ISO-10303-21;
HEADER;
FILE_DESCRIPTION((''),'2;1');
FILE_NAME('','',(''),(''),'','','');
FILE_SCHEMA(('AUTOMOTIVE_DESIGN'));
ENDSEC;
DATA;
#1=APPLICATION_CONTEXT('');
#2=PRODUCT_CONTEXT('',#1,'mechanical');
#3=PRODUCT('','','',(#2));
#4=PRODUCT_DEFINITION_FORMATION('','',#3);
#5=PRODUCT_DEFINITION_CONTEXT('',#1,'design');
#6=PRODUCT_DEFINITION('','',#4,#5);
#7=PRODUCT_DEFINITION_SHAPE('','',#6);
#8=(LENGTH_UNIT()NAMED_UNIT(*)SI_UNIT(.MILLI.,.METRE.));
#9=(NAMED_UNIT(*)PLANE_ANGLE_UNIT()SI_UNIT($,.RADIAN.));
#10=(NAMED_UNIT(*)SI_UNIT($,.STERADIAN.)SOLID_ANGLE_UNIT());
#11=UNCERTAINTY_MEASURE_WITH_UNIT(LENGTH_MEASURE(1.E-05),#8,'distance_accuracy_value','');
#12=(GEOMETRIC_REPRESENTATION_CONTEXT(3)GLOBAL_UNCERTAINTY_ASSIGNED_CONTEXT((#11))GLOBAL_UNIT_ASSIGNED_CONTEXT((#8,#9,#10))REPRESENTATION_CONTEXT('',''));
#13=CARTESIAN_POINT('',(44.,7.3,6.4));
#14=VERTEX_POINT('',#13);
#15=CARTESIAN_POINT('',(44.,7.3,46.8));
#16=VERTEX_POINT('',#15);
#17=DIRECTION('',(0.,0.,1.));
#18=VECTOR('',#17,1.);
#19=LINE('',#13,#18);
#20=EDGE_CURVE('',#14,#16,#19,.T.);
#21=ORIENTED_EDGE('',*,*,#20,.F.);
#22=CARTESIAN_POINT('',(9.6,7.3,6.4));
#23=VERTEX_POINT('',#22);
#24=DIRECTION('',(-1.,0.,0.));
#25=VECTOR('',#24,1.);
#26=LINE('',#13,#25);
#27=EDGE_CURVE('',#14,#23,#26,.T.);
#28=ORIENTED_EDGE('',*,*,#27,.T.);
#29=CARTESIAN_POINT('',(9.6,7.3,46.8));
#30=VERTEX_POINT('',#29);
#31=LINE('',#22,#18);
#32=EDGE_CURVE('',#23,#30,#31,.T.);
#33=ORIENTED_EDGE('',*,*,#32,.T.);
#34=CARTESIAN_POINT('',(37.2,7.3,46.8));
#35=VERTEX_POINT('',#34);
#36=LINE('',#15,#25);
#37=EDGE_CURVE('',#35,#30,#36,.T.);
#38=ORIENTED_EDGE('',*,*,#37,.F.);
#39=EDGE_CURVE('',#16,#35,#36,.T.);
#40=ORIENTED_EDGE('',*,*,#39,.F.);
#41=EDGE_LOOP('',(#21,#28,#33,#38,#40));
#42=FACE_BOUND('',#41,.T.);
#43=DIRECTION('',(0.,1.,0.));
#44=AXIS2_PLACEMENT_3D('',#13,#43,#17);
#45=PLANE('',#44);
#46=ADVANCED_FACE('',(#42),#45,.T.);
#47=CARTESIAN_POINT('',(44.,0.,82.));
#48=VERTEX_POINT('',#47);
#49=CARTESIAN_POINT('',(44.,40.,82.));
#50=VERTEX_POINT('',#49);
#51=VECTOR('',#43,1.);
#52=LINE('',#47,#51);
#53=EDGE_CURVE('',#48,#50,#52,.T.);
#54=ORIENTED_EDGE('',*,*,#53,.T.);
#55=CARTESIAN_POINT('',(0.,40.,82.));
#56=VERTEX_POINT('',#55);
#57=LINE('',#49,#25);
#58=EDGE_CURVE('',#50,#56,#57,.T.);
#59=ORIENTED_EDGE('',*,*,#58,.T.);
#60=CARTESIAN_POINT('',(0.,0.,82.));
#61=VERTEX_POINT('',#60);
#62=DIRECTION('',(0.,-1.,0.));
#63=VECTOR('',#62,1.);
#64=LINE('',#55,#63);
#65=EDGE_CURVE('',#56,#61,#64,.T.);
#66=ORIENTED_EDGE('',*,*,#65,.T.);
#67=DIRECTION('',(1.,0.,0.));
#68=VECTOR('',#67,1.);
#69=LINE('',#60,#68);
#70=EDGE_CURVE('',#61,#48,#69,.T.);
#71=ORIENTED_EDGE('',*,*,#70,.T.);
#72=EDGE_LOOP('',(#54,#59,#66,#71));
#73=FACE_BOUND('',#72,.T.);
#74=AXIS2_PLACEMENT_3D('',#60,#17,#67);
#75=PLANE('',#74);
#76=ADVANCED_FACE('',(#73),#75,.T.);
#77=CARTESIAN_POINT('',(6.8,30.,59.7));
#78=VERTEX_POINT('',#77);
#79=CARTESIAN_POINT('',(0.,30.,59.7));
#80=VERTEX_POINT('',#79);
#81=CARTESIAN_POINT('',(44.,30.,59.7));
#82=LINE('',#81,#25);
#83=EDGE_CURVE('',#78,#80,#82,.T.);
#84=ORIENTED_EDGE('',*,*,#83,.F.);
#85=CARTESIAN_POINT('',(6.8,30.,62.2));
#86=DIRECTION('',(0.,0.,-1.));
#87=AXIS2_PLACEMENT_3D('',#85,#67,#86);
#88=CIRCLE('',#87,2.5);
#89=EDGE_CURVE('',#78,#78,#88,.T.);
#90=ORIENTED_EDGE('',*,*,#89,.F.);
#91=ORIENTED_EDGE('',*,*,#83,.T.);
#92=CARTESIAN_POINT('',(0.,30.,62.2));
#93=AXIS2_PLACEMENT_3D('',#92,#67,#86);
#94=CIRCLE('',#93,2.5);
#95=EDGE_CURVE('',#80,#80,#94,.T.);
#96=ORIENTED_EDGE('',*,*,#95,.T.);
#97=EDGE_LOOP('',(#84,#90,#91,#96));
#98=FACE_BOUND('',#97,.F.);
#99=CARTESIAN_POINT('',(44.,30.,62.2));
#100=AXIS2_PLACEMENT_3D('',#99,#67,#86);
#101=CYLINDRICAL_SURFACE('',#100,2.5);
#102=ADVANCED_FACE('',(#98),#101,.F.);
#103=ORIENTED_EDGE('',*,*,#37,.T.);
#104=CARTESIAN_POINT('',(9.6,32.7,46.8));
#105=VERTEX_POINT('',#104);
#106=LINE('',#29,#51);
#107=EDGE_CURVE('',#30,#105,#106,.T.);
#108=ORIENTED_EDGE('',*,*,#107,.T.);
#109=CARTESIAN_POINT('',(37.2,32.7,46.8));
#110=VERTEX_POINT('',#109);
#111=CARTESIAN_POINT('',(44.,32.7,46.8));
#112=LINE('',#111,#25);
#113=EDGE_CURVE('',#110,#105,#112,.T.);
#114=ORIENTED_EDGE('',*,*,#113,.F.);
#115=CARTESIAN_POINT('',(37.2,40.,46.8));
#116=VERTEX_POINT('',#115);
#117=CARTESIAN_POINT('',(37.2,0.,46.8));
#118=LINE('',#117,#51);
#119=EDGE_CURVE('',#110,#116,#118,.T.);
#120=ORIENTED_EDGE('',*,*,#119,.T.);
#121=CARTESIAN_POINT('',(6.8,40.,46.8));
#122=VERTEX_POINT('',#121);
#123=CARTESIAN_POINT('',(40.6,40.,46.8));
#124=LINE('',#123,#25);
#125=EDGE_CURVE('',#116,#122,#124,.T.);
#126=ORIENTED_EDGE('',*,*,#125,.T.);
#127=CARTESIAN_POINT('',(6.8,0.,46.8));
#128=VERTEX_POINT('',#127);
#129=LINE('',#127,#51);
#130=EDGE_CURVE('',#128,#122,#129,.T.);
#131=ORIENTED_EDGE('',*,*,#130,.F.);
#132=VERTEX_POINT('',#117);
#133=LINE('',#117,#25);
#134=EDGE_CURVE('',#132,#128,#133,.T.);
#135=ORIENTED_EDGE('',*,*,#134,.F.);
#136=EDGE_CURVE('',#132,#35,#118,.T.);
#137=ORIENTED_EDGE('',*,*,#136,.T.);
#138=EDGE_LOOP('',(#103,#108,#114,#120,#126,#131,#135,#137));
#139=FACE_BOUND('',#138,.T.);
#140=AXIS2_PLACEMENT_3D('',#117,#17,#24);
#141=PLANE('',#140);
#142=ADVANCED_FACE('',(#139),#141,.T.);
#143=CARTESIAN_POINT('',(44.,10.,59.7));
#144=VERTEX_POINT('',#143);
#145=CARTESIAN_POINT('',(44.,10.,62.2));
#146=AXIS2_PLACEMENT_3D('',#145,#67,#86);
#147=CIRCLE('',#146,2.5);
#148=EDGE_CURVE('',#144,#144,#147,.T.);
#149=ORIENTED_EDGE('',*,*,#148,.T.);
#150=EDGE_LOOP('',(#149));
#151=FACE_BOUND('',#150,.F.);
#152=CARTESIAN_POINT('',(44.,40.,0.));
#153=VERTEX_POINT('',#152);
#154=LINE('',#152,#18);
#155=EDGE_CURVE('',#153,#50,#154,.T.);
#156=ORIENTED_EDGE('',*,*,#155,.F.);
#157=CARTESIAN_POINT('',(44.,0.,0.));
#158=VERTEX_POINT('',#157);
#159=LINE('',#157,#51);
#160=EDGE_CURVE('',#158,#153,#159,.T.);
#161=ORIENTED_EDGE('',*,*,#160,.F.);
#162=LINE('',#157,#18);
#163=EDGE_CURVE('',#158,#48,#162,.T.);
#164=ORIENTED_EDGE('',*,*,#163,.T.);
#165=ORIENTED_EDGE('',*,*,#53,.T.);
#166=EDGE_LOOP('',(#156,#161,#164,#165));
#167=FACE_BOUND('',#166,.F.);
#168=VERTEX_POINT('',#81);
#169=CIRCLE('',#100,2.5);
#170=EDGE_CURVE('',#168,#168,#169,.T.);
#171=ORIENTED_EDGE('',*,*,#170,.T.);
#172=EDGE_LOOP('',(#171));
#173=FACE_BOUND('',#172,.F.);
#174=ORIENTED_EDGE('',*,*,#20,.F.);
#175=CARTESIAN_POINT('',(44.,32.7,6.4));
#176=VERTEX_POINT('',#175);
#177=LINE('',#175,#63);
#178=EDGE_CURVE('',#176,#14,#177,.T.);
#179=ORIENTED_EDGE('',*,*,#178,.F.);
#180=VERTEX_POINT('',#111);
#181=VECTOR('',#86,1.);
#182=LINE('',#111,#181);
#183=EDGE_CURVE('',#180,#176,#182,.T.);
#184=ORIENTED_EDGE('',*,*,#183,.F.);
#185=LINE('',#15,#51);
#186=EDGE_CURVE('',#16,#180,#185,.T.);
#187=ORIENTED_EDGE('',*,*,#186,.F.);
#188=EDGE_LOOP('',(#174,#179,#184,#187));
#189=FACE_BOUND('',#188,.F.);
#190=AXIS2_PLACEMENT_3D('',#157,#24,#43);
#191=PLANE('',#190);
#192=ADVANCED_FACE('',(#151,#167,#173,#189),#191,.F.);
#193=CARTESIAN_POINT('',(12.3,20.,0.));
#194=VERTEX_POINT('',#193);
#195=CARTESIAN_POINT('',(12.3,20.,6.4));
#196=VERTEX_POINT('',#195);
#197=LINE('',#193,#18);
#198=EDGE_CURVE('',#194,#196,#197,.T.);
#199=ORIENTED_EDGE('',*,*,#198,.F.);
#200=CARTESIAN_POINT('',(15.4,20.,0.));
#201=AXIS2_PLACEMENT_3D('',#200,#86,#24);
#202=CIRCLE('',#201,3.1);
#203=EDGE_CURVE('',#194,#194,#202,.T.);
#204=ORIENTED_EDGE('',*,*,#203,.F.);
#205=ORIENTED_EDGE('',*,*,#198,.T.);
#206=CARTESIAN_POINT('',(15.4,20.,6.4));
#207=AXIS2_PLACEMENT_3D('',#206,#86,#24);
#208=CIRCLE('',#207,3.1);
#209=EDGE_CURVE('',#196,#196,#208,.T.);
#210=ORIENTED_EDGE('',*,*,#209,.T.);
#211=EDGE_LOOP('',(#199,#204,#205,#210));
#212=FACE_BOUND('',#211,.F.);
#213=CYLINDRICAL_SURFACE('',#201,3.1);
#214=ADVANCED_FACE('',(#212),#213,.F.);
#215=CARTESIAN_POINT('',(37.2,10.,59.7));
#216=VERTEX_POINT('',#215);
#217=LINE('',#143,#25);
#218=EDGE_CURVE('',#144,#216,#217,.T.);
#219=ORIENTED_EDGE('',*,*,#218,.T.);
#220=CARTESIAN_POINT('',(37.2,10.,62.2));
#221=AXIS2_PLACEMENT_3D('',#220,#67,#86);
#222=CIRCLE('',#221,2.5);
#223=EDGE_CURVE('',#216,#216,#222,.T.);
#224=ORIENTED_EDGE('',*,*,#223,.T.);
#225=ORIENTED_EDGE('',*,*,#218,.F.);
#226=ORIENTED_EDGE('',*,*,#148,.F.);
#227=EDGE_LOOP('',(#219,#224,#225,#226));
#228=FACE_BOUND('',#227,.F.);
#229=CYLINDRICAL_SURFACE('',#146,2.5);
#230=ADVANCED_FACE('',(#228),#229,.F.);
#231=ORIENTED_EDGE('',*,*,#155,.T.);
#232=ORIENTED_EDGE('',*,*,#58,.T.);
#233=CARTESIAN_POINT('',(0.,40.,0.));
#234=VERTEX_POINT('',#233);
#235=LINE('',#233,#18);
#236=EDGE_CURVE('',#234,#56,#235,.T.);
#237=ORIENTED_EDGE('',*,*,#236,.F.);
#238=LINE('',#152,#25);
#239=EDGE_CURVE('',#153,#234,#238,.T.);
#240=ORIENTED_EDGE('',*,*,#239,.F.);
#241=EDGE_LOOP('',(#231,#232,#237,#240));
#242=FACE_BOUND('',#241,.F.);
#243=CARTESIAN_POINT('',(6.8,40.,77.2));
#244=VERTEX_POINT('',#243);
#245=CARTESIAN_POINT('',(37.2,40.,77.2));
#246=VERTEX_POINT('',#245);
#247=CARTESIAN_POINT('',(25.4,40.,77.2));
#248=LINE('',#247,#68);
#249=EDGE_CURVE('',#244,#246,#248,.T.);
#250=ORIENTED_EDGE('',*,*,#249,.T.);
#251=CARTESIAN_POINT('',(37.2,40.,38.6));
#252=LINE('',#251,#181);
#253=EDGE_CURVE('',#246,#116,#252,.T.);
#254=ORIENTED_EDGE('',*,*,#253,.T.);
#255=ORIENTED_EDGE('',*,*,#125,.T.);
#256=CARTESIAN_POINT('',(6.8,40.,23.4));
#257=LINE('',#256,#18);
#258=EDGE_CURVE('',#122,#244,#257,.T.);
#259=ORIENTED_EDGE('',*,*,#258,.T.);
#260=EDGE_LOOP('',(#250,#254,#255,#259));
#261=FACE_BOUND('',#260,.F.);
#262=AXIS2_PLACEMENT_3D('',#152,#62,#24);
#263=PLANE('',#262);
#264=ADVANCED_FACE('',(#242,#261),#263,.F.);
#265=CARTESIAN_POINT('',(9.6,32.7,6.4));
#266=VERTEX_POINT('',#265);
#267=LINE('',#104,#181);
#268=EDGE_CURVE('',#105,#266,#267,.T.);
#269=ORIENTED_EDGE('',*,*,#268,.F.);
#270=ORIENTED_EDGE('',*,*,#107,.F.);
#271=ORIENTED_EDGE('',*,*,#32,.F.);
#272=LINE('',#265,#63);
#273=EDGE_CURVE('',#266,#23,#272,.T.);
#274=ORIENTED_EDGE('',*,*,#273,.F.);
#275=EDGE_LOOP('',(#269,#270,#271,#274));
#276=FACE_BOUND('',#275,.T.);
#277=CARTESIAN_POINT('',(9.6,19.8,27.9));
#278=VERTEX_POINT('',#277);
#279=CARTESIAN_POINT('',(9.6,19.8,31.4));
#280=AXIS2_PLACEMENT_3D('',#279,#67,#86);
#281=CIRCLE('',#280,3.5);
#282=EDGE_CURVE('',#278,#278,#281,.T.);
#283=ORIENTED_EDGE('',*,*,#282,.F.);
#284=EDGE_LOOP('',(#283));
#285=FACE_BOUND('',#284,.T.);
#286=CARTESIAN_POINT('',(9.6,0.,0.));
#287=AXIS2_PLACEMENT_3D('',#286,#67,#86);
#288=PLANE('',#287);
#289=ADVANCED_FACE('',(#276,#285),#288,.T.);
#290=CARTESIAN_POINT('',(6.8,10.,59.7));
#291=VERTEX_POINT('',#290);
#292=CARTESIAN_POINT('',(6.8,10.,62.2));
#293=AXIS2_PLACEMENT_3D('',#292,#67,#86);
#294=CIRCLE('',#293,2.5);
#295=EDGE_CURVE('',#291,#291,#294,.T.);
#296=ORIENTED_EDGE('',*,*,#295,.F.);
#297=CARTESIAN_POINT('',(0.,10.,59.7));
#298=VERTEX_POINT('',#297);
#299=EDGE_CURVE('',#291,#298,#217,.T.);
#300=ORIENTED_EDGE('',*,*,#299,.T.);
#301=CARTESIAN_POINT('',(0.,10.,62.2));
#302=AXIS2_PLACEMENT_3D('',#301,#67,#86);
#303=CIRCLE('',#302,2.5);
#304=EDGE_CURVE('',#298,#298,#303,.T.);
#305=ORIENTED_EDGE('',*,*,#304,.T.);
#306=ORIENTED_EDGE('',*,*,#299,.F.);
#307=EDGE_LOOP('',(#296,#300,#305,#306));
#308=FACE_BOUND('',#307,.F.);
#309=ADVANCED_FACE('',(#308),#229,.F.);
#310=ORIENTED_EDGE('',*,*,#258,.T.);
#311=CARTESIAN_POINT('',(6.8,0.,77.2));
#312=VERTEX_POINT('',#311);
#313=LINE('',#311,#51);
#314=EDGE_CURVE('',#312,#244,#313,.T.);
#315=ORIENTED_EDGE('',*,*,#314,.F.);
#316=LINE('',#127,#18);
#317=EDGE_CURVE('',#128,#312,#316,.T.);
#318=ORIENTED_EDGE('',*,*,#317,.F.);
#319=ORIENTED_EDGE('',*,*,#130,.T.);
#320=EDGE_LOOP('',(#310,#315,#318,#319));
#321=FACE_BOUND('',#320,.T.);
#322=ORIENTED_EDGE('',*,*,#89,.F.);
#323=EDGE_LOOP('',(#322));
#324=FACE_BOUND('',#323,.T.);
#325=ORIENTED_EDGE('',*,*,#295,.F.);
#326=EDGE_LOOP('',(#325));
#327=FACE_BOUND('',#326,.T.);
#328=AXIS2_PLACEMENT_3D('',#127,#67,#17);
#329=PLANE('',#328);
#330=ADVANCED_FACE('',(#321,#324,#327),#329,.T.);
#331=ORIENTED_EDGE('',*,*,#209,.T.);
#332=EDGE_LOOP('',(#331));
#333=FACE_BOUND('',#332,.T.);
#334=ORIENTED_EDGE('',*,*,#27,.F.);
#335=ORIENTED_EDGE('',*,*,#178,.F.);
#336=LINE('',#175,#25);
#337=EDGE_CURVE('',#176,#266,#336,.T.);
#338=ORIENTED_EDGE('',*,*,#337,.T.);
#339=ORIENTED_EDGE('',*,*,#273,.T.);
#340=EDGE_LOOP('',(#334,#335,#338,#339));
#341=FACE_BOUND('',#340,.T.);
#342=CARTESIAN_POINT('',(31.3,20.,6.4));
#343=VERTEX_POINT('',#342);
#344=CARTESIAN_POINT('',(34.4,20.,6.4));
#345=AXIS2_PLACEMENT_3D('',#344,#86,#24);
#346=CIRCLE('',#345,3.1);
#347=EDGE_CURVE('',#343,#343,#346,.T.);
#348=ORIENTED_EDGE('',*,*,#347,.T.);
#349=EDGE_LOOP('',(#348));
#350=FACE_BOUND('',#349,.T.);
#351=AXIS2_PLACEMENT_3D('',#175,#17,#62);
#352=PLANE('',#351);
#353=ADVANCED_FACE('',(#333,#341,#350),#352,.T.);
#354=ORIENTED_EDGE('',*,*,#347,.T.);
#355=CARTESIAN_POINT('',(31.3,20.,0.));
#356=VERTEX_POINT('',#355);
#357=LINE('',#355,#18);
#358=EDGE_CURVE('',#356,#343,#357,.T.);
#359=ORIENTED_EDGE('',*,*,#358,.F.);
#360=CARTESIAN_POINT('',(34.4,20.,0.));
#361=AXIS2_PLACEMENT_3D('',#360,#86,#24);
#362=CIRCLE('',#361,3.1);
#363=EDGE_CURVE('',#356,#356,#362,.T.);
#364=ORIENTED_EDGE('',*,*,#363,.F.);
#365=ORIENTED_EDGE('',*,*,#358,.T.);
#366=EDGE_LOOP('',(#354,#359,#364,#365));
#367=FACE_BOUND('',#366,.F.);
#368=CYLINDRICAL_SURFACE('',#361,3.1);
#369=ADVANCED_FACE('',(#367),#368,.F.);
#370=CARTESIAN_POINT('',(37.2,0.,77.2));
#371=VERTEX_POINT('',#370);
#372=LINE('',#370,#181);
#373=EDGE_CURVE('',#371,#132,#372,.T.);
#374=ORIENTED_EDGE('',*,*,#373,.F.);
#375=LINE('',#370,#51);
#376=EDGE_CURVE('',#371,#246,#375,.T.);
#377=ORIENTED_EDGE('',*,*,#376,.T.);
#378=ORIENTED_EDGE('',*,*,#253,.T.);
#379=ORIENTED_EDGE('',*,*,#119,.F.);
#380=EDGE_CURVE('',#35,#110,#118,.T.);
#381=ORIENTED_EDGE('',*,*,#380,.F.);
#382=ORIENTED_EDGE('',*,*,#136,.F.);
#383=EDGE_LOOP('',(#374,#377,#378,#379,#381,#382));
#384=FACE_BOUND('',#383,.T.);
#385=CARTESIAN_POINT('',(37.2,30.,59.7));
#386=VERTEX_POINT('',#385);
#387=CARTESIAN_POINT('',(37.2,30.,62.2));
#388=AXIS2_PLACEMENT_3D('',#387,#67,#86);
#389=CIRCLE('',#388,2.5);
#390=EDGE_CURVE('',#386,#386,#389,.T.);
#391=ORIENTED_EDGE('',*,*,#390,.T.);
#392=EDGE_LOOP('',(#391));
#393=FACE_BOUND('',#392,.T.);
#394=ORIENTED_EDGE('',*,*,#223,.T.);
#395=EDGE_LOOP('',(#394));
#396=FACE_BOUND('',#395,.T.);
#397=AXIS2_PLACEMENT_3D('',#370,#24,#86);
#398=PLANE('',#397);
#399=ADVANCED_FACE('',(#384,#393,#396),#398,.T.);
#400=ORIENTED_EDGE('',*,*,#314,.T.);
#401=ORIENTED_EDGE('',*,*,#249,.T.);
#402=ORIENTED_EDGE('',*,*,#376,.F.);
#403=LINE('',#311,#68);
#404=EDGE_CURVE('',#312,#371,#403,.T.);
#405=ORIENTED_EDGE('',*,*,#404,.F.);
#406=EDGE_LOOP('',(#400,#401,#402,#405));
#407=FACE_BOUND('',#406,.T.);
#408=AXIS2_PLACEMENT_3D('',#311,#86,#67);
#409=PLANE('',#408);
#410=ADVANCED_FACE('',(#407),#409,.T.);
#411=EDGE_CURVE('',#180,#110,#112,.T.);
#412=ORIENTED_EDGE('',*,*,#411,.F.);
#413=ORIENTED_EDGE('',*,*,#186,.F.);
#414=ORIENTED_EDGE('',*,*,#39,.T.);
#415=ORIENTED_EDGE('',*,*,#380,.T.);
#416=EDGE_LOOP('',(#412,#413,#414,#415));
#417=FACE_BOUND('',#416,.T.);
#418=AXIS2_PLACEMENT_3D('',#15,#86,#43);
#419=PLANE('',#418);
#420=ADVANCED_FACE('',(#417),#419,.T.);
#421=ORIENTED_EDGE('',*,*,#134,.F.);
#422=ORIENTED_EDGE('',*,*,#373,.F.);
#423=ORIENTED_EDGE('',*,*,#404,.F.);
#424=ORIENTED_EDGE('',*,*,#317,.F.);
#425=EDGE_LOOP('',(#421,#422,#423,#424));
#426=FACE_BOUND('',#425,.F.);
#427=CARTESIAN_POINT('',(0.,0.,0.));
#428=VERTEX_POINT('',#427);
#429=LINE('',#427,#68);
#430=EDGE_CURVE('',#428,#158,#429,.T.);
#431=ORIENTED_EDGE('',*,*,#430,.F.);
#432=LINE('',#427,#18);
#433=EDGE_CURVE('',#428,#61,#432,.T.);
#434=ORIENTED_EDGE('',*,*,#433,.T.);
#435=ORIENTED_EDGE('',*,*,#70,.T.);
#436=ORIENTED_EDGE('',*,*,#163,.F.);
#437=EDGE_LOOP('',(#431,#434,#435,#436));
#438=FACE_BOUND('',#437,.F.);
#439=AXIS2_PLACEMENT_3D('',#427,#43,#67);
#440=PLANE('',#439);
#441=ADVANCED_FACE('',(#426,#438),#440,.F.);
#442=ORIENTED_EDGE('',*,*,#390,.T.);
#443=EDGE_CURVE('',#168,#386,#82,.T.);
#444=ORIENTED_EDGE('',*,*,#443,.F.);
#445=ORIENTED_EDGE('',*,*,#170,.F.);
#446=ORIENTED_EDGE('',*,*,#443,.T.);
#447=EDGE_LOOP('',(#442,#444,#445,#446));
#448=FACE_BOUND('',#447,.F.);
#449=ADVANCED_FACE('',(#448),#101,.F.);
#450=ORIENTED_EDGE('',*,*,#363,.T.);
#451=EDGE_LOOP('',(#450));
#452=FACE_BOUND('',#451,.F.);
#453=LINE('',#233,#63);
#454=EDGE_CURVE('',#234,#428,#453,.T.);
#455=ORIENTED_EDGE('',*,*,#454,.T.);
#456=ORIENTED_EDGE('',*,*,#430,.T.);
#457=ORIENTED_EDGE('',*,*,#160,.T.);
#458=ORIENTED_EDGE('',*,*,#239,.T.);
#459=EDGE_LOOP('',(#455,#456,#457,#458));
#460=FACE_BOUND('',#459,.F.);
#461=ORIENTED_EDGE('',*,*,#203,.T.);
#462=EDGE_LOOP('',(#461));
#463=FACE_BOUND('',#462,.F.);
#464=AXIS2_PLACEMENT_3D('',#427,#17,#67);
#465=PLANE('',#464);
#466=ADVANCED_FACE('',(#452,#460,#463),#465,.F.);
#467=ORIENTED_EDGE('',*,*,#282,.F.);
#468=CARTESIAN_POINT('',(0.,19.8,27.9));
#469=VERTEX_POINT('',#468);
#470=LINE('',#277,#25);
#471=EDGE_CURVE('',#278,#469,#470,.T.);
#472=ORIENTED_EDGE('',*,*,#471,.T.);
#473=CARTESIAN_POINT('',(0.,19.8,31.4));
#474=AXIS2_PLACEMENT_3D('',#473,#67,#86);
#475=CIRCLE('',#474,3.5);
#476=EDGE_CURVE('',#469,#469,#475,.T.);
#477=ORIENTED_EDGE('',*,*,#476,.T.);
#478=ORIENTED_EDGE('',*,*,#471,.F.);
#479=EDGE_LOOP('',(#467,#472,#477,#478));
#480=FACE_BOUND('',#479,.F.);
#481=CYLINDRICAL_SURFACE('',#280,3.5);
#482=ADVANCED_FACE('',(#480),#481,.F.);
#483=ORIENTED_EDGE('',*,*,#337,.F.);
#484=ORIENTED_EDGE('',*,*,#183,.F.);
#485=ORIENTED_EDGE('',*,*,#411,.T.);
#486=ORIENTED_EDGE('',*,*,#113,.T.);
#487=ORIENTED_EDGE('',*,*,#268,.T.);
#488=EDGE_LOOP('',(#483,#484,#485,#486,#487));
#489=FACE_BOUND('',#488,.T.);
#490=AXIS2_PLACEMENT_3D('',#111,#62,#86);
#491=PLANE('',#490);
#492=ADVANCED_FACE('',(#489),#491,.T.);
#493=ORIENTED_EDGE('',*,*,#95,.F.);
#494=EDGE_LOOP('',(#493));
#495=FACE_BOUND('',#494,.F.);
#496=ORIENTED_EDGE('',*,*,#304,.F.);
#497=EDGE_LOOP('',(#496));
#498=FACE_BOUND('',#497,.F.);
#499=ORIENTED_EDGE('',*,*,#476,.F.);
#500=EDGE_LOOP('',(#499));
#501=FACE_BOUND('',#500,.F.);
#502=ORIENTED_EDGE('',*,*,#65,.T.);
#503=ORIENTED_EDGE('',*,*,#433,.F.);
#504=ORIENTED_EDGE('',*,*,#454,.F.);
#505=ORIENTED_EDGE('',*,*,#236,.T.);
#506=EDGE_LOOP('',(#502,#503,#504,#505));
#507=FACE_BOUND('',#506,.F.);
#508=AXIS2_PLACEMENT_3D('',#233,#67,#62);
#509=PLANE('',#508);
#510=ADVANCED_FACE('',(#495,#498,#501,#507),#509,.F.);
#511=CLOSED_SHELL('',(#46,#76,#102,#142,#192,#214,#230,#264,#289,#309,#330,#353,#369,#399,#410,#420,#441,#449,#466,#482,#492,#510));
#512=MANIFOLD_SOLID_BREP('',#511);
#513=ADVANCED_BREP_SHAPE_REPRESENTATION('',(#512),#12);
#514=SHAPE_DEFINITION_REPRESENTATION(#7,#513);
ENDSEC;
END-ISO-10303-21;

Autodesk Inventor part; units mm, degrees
ref_plane "YZ Plane" through (0, 0, 0) normal (1, 0, 0) x (0, 1, 0)
ref_plane "XZ Plane" through (0, 0, 0) normal (0, 1, 0) x (-1, 0, 0)
ref_plane "XY Plane" through (0, 0, 0) normal (0, 0, 1) x (1, 0, 0)
sketch "Sketch1" plane through (0, 0, 0) normal (0, 0, 1) x (1, 0, 0)
  line L0 (0, 0) -> (44, 0)
  line L1 (44, 0) -> (44, 40)
  line L2 (44, 40) -> (0, 40)
  line L3 (0, 40) -> (0, 0)
  dimension "d0" = 44
  dimension "d1" = 40
extrude "Extrusion1" add sketch "Sketch1" along normal blind 82
sketch "Sketch2" plane through (0, 0, 0) normal (0, -1, 0) x (1, 0, 0)
  line L0 (6.8, 77.2) -> (37.2, 77.2)
  line L1 (37.2, 77.2) -> (37.2, 46.8)
  line L2 (37.2, 46.8) -> (6.8, 46.8)
  line L3 (6.8, 46.8) -> (6.8, 77.2)
  line L4 (0, 0) -> (0, 82) projected
  line L5 (0, 82) -> (44, 82) projected
  dimension "d4" = 30.4
  dimension "d5" = 30.4
  dimension "d6" = 6.8
  dimension "d7" = 4.8
extrude "Extrusion2" cut sketch "Sketch2" against normal blind 50
sketch "Sketch4" plane through (44, 0, 0) normal (1, 0, 0) x (0, 0, -1)
  line L0 (-6.4, 7.3) -> (-46.8, 7.3)
  line L1 (-46.8, 7.3) -> (-46.8, 32.7)
  line L2 (-46.8, 32.7) -> (-6.4, 32.7)
  line L3 (-6.4, 32.7) -> (-6.4, 7.3)
  line L4 (0, 0) -> (0, 40) projected
  line L5 (0, 0) -> (-82, 0) projected
  line L6 (-46.8, 0) -> (-46.8, 40) projected
  point P0 (0, 20)
  point P1 (-6.4, 20)
  dimension "d10" = 25.4
  dimension "d11" = 40.4
  dimension "d13" = 7.3
extrude "Extrusion3" cut sketch "Sketch4" against normal blind 34.4
sketch "Sketch6" plane through (44, 0, 0) normal (1, 0, 0) x (0, 0, -1)
  circle A0 centre (-62.2, 30) radius 2.5
  circle A1 centre (-62.2, 10) radius 2.5
  line L0 (0, 40) -> (-82, 40) projected
  line L1 (0, 0) -> (-82, 0) projected
  point P0 (-77.2, 40)
  dimension "d24" = 5
  dimension "d25" = 10
  dimension "d26" = 5
  dimension "d27" = 10
  dimension "d28" = 15
  dimension "d29" = 15
extrude "Extrusion5" cut sketch "Sketch6" against normal blind 50
sketch "Sketch5" plane through (0, 0, 0) normal (0, 0, -1) x (-1, 0, 0)
  circle A0 centre (-15.4, 20) radius 3.1
  circle A1 centre (-34.4, 20) radius 3.1
  line L0 (-44, 40) -> (0, 40) projected
  line L1 (-9.6, 7.3) -> (-9.6, 32.7) projected
  point P0 (0, 0)
  dimension "d16" = 6.2
  dimension "d17" = 6.2
  dimension "d18" = 20
  dimension "d19" = 20
  dimension "d20" = 5.8
  dimension "d21" = 19
extrude "Extrusion4" cut sketch "Sketch5" against normal blind 34
sketch "Sketch7" plane through (9.6, 0, 0) normal (1, 0, 0) x (0, 0, -1)
  circle A0 centre (-31.4, 19.8) radius 3.5
  line L0 (-6.4, 32.7) -> (-6.4, 7.3) projected
  line L1 (-6.4, 7.3) -> (-46.8, 7.3) projected
  point P0 (0, 0)
  dimension "d32" = 7
  dimension "d33" = 25
  dimension "d34" = 12.5
extrude "Extrusion6" cut sketch "Sketch7" against normal blind 34.4
properties part number "loacell_mount1"
